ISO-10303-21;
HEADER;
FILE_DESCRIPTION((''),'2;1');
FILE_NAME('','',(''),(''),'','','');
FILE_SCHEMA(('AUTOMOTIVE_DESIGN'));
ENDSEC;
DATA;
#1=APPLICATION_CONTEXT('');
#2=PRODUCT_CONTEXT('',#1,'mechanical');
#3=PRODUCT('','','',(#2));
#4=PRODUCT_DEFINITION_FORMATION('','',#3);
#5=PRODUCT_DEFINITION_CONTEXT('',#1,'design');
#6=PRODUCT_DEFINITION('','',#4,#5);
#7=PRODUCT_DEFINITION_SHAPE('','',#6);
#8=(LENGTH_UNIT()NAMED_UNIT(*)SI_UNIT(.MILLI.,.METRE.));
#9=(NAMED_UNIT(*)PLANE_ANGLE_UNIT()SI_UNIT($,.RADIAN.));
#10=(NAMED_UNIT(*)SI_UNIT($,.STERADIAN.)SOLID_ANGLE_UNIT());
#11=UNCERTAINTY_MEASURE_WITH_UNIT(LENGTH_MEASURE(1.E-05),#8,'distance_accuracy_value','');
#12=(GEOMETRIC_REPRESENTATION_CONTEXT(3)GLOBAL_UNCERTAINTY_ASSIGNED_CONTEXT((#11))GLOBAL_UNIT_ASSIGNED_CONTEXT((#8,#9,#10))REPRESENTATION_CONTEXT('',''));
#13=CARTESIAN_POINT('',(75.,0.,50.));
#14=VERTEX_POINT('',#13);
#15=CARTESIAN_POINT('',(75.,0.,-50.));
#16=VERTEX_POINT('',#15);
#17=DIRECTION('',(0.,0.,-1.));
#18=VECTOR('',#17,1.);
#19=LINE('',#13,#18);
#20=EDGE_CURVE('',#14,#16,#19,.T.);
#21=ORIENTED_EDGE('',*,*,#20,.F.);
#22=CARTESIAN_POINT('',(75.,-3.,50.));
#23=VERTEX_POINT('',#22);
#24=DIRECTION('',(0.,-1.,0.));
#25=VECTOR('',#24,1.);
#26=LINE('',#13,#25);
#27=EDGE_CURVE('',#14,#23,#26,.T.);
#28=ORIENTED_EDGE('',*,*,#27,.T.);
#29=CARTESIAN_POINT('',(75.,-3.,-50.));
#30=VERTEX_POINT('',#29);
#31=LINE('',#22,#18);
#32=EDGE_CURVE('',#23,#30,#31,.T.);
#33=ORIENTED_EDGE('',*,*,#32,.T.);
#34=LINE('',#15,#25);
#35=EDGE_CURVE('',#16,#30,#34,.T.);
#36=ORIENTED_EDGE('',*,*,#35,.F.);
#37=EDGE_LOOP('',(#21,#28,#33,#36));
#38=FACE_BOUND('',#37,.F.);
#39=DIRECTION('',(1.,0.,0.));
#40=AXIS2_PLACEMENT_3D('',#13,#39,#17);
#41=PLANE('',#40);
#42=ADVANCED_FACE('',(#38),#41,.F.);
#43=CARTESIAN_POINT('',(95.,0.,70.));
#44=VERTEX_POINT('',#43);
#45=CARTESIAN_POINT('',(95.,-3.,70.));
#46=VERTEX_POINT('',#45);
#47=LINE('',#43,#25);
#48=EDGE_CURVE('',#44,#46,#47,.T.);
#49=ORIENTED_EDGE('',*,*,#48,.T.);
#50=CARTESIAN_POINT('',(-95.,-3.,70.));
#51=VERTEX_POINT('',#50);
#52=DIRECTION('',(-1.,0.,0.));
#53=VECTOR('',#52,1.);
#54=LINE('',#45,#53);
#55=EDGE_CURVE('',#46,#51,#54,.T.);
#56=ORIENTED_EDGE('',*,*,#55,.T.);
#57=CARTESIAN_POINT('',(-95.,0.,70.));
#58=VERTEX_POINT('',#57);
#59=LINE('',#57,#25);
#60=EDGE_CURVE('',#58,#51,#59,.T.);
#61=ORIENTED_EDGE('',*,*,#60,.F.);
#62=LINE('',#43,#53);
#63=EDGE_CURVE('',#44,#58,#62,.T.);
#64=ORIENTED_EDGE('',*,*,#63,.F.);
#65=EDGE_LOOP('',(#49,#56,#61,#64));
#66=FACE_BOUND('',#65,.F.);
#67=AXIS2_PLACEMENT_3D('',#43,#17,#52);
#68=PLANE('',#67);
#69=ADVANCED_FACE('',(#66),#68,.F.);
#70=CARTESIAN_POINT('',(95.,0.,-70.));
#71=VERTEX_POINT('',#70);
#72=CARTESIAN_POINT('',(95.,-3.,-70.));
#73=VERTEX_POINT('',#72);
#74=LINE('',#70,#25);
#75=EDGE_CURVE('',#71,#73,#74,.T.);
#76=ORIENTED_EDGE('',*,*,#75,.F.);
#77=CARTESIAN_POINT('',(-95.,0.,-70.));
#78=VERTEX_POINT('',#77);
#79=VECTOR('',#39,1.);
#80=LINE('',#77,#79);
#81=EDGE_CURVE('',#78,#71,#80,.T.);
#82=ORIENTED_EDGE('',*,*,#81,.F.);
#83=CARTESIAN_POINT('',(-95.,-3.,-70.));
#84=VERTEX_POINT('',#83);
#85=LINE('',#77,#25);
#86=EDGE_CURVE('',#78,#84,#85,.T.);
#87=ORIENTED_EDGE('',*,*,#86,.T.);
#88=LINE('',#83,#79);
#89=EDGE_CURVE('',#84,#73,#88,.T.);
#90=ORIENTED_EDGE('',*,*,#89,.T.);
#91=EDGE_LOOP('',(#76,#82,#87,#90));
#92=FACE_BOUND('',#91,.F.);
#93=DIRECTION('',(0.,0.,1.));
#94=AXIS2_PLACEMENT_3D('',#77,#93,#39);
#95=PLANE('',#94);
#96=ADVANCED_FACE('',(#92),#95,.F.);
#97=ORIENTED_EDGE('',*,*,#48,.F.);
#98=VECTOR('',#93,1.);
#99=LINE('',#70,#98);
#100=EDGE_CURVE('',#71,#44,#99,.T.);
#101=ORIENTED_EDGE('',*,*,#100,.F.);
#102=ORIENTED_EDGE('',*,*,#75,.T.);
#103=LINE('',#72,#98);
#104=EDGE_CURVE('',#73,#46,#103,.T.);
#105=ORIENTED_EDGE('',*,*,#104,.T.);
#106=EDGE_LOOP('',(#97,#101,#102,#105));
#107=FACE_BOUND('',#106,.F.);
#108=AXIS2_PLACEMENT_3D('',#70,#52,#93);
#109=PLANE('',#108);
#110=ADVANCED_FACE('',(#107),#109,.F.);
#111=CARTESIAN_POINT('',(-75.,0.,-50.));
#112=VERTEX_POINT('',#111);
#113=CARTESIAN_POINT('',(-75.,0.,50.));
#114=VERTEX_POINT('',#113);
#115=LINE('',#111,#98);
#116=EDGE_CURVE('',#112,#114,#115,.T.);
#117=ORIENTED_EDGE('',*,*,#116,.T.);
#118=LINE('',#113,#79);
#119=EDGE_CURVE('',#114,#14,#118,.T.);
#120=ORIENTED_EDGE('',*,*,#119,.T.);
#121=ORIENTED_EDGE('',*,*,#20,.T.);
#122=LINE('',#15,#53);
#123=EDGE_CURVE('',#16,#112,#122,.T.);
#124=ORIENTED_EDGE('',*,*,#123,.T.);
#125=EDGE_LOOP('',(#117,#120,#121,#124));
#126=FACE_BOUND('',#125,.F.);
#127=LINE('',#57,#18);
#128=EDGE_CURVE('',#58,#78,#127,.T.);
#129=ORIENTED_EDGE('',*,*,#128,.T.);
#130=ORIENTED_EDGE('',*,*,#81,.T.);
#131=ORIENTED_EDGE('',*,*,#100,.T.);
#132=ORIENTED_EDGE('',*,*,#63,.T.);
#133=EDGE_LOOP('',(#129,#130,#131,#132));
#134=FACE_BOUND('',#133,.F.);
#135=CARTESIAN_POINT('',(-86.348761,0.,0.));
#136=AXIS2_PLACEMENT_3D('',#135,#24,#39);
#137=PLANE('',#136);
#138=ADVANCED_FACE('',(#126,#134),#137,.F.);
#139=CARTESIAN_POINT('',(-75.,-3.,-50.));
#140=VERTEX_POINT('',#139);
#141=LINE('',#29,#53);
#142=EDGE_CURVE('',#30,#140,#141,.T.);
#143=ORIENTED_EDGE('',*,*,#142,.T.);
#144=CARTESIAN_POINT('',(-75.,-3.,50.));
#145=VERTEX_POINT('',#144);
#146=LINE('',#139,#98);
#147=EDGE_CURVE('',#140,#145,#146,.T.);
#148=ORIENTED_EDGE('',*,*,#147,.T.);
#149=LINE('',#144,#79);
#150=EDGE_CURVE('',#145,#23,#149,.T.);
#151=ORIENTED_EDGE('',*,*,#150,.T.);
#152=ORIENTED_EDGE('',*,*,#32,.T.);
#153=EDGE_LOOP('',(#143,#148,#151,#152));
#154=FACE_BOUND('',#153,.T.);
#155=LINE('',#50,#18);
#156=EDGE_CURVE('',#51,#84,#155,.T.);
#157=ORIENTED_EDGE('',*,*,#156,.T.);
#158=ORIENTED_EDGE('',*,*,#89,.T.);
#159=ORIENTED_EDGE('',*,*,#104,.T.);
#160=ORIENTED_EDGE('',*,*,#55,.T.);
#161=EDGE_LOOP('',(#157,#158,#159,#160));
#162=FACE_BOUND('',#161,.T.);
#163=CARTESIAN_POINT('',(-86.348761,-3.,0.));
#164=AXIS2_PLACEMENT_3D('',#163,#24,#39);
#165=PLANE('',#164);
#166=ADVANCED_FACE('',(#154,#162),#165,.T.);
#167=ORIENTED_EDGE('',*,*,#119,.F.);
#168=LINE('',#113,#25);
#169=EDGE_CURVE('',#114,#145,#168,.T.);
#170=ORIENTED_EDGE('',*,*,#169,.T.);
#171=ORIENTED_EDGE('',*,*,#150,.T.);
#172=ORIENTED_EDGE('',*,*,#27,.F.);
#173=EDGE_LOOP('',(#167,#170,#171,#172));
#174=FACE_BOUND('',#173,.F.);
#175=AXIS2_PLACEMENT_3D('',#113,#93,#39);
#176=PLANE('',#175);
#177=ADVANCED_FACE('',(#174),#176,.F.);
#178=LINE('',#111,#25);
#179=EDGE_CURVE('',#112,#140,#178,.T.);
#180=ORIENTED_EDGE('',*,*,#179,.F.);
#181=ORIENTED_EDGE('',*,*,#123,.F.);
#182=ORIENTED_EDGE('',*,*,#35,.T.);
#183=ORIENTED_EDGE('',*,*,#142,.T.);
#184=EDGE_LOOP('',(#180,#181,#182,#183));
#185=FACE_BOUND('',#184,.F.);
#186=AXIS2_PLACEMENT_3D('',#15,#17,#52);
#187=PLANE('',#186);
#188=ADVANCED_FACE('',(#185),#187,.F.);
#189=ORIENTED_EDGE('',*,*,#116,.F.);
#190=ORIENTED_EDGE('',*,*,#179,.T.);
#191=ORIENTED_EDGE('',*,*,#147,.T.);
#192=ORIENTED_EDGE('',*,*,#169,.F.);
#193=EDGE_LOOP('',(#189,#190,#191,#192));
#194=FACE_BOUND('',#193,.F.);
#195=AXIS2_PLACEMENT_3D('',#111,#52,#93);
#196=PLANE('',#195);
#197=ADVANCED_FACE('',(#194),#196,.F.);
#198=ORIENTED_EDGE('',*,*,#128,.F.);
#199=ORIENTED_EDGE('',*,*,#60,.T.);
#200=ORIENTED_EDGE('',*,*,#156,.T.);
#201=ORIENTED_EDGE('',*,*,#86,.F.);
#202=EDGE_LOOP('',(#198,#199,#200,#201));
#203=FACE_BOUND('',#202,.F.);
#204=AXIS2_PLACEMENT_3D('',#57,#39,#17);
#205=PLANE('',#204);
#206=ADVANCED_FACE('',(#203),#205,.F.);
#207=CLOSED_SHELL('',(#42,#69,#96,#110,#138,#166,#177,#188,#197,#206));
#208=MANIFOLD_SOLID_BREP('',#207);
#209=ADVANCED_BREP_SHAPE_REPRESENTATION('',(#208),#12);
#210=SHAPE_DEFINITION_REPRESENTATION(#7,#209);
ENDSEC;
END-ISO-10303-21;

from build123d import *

# Parameters (mm, degrees)
F1_DEPTH = 3


with BuildPart() as f1:
    # F0 (on Front) → F1 (new body)
    with BuildSketch(Plane.XZ):
        Polygon((-75, 50), (-95, 70), (-95, -70), (-75, -50), align=None)
        Polygon((95, 70), (-95, 70), (-75, 50), (75, 50), align=None)
        Polygon((95, -70), (95, 70), (75, 50), (75, -50), align=None)
        Polygon((-75, -50), (-95, -70), (95, -70), (75, -50), align=None)
    extrude(amount=F1_DEPTH)


solid = f1.part
